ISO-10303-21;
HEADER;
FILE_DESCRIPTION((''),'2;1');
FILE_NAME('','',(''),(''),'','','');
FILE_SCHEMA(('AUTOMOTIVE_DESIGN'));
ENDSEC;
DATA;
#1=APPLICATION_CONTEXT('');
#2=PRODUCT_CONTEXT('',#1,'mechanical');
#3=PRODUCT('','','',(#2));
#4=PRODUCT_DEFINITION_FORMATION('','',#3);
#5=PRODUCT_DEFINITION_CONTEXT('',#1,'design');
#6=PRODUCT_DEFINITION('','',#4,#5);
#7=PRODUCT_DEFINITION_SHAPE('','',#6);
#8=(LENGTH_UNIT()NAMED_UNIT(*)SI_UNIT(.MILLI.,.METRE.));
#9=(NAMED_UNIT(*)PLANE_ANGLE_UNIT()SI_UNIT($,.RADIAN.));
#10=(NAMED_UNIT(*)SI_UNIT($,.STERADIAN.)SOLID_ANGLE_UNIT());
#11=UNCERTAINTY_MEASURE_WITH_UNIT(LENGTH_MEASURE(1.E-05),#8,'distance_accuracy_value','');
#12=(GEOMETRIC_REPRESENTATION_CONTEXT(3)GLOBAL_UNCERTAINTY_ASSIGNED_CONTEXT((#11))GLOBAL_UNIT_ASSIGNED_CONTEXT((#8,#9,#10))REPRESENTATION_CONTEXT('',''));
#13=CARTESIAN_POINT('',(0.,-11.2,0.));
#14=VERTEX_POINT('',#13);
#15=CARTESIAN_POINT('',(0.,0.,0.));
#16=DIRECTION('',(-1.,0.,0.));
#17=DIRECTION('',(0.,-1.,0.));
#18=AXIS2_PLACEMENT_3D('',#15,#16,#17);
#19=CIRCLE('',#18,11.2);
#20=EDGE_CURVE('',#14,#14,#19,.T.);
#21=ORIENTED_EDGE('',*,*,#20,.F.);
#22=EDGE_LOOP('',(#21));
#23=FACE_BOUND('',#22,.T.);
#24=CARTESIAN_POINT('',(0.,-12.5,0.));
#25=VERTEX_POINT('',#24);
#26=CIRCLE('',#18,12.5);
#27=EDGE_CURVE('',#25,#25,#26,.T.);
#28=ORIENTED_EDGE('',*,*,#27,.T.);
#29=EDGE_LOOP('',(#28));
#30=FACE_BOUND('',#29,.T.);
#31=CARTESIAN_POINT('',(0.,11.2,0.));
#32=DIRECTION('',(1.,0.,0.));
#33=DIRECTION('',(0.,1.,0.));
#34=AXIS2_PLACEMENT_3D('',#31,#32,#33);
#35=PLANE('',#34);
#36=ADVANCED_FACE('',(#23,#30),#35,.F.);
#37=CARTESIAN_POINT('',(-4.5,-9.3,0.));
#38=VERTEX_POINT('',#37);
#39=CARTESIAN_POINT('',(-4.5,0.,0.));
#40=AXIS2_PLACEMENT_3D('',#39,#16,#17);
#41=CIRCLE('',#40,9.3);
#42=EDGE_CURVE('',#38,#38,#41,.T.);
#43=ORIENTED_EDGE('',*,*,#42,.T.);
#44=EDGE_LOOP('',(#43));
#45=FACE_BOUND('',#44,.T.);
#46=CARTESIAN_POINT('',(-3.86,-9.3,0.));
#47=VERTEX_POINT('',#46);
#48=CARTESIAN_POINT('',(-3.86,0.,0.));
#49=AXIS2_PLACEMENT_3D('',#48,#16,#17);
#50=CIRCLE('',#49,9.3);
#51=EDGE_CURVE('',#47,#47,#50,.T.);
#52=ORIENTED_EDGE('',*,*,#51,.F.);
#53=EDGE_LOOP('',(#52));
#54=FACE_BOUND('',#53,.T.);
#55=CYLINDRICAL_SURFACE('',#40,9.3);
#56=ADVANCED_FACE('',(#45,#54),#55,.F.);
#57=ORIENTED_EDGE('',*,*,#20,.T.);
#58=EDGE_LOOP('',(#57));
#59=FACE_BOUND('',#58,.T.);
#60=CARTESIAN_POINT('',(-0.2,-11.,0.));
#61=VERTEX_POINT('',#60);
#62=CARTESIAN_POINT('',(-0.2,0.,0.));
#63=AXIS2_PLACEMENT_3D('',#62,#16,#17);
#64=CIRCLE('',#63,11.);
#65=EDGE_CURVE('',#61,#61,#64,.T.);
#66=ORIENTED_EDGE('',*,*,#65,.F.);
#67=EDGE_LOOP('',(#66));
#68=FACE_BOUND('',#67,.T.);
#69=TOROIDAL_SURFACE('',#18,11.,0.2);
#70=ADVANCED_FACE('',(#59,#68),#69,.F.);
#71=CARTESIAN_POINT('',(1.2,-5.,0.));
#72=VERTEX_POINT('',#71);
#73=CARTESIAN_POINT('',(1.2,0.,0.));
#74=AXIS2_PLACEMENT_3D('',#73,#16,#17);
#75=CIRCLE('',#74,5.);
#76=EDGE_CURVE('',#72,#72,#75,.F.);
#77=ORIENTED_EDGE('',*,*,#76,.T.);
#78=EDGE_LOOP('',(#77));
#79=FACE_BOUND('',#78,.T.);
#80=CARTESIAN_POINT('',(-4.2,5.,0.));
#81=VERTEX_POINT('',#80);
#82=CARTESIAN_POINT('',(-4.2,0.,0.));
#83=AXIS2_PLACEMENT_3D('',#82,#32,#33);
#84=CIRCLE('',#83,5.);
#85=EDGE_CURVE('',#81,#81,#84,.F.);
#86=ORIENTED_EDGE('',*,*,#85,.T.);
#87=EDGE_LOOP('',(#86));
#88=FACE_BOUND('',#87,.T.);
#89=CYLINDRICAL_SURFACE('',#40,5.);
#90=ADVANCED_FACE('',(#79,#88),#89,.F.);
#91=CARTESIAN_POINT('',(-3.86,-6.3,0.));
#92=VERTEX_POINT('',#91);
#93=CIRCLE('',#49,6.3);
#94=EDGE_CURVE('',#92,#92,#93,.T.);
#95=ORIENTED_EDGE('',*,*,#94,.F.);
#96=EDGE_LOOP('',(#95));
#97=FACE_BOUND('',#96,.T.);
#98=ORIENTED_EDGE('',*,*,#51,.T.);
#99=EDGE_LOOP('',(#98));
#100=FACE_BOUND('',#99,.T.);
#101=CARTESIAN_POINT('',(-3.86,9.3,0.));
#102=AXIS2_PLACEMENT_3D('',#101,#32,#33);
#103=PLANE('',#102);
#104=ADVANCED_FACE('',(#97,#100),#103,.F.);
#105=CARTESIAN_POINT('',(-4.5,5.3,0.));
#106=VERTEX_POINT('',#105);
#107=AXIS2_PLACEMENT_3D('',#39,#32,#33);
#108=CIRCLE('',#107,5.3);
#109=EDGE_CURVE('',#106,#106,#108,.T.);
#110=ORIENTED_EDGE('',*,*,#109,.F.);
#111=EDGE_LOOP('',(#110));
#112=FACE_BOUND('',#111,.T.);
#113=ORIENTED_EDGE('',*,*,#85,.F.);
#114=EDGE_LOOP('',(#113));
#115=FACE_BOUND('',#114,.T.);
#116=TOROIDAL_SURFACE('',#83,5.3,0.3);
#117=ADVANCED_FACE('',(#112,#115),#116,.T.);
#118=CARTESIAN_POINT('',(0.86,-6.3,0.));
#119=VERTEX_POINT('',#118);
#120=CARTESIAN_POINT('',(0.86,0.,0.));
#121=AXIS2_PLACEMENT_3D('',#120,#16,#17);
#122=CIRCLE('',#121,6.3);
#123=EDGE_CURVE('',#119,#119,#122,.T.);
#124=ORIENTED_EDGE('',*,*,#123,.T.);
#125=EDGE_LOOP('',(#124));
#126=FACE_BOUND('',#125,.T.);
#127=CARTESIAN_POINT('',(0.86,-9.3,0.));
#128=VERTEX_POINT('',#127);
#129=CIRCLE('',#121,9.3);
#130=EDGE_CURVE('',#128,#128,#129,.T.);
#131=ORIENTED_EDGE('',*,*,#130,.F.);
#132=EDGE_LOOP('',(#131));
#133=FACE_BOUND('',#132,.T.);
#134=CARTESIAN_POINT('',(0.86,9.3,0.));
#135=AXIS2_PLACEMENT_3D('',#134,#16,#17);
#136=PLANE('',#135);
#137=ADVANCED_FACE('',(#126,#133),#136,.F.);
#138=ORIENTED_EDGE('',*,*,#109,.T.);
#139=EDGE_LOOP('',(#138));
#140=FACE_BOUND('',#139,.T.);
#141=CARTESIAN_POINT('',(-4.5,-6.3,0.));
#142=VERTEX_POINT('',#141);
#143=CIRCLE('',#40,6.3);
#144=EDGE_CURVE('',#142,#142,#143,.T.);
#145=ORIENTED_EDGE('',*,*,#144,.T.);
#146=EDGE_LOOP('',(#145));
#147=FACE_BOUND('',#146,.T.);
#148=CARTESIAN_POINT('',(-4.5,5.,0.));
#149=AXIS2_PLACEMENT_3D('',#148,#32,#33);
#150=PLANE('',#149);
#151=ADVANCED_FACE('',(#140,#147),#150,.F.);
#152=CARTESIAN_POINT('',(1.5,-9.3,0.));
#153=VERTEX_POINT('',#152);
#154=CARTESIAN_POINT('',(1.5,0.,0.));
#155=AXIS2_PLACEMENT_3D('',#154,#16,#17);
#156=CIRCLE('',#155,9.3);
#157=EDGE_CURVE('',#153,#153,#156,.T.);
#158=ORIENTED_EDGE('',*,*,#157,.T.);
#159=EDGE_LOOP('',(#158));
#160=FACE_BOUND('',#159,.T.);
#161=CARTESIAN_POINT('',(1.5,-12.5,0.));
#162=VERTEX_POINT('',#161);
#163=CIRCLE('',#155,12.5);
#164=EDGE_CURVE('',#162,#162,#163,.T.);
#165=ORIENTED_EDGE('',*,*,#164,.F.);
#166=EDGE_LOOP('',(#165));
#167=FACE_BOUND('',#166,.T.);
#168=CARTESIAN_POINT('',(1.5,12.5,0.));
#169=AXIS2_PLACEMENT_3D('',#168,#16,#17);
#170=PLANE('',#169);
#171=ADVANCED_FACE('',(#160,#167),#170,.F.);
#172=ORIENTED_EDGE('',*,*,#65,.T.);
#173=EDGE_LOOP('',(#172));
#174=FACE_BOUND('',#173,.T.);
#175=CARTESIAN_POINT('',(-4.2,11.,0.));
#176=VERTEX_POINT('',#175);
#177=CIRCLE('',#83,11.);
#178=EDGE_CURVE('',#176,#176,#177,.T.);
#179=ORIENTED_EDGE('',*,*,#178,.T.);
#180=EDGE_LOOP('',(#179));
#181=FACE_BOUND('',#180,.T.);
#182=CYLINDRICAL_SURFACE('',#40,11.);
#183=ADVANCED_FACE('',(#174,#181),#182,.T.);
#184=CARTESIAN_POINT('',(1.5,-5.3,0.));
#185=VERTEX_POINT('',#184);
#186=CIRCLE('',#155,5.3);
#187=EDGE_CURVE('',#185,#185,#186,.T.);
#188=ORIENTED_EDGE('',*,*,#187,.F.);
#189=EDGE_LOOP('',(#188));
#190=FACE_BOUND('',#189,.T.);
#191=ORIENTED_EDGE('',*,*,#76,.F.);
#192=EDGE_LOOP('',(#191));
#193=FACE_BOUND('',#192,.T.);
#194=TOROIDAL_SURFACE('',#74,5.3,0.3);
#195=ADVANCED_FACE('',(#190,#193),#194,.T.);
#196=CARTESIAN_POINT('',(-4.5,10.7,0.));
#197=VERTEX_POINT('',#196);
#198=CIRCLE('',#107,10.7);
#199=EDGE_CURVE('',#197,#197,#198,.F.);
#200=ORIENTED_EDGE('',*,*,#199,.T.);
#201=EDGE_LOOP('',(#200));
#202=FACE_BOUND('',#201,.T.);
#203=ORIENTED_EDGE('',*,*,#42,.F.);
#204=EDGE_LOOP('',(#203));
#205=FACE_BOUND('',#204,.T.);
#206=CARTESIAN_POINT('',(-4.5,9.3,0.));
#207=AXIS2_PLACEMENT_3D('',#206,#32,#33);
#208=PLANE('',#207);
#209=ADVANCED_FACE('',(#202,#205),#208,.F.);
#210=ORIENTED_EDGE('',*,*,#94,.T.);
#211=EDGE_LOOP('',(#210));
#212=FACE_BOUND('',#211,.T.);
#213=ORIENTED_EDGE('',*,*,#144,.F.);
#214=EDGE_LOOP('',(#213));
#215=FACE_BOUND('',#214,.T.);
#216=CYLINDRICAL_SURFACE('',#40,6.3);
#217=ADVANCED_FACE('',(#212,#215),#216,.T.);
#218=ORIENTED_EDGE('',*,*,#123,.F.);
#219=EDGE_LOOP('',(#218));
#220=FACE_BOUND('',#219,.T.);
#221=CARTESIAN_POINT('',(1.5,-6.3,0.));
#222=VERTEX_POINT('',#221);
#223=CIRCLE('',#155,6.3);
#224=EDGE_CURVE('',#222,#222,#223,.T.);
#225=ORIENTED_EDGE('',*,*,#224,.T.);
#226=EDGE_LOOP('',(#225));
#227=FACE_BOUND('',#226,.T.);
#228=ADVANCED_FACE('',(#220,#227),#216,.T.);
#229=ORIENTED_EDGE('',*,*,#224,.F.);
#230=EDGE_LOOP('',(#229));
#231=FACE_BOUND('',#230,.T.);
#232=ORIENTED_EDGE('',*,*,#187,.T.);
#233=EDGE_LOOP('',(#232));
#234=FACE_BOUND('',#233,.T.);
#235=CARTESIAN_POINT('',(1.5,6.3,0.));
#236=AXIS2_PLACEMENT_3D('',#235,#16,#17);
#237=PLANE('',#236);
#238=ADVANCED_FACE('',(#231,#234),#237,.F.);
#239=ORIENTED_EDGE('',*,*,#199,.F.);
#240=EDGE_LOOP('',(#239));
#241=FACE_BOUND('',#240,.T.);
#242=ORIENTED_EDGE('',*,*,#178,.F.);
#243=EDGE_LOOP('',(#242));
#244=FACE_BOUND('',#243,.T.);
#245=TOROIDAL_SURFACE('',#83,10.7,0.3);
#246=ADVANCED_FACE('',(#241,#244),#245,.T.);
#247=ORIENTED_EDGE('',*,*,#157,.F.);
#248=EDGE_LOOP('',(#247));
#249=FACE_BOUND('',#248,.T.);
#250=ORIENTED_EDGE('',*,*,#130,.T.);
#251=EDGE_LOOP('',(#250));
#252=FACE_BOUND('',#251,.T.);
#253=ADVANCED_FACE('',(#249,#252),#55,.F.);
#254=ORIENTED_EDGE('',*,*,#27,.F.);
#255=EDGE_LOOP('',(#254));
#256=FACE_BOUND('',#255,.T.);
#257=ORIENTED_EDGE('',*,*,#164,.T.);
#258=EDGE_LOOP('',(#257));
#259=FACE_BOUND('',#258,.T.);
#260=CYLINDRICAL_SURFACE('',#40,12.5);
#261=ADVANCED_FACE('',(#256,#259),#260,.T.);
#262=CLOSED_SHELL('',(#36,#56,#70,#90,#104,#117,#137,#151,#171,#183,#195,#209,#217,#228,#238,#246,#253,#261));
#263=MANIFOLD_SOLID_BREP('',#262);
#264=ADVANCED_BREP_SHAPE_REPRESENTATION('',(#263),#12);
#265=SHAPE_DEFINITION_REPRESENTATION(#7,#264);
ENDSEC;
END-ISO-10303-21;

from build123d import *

# Parameters (mm, degrees)
FILLET1_R = 0.3


with BuildPart() as part:
    # Sketch1 → Revolve1 (revolve)
    with BuildSketch(Plane.XY, mode=Mode.PRIVATE) as revolve1_sk:
        with BuildLine():
            Line((0, 11.2), (0, 12.5))
            Line((0, 12.5), (1.5, 12.5))
            Line((1.5, 12.5), (1.5, 9.3))
            Line((1.5, 9.3), (0.86, 9.3))
            Line((0.86, 9.3), (0.86, 6.3))
            Line((0.86, 6.3), (1.5, 6.3))
            Line((1.5, 6.3), (1.5, 5))
            Line((1.5, 5), (-4.5, 5))
            Line((-4.5, 5), (-4.5, 6.3))
            Line((-4.5, 6.3), (-3.86, 6.3))
            Line((-3.86, 6.3), (-3.86, 9.3))
            Line((-3.86, 9.3), (-4.5, 9.3))
            Line((-4.5, 9.3), (-4.5, 11))
            Line((-4.5, 11), (-0.2, 11))
            ThreePointArc((-0.2, 11), (0.141421356, 10.858578644), (0, 11.2))
        make_face()
    revolve(revolve1_sk.sketch.rotate(Axis((-4.5, 0, 0), (1, 0, 0)), 180), axis=Axis((-4.5, 0, 0), (1, 0, 0)))

    # Fillet1
    fillet1_edges = [part.edges().sort_by_distance(p)[0] for p in [
        (1.5, 5, 0),
        (-4.5, 5, 0),
        (-4.5, 11, 0),
    ]]
    fillet(fillet1_edges, radius=FILLET1_R)


solid = part.part
